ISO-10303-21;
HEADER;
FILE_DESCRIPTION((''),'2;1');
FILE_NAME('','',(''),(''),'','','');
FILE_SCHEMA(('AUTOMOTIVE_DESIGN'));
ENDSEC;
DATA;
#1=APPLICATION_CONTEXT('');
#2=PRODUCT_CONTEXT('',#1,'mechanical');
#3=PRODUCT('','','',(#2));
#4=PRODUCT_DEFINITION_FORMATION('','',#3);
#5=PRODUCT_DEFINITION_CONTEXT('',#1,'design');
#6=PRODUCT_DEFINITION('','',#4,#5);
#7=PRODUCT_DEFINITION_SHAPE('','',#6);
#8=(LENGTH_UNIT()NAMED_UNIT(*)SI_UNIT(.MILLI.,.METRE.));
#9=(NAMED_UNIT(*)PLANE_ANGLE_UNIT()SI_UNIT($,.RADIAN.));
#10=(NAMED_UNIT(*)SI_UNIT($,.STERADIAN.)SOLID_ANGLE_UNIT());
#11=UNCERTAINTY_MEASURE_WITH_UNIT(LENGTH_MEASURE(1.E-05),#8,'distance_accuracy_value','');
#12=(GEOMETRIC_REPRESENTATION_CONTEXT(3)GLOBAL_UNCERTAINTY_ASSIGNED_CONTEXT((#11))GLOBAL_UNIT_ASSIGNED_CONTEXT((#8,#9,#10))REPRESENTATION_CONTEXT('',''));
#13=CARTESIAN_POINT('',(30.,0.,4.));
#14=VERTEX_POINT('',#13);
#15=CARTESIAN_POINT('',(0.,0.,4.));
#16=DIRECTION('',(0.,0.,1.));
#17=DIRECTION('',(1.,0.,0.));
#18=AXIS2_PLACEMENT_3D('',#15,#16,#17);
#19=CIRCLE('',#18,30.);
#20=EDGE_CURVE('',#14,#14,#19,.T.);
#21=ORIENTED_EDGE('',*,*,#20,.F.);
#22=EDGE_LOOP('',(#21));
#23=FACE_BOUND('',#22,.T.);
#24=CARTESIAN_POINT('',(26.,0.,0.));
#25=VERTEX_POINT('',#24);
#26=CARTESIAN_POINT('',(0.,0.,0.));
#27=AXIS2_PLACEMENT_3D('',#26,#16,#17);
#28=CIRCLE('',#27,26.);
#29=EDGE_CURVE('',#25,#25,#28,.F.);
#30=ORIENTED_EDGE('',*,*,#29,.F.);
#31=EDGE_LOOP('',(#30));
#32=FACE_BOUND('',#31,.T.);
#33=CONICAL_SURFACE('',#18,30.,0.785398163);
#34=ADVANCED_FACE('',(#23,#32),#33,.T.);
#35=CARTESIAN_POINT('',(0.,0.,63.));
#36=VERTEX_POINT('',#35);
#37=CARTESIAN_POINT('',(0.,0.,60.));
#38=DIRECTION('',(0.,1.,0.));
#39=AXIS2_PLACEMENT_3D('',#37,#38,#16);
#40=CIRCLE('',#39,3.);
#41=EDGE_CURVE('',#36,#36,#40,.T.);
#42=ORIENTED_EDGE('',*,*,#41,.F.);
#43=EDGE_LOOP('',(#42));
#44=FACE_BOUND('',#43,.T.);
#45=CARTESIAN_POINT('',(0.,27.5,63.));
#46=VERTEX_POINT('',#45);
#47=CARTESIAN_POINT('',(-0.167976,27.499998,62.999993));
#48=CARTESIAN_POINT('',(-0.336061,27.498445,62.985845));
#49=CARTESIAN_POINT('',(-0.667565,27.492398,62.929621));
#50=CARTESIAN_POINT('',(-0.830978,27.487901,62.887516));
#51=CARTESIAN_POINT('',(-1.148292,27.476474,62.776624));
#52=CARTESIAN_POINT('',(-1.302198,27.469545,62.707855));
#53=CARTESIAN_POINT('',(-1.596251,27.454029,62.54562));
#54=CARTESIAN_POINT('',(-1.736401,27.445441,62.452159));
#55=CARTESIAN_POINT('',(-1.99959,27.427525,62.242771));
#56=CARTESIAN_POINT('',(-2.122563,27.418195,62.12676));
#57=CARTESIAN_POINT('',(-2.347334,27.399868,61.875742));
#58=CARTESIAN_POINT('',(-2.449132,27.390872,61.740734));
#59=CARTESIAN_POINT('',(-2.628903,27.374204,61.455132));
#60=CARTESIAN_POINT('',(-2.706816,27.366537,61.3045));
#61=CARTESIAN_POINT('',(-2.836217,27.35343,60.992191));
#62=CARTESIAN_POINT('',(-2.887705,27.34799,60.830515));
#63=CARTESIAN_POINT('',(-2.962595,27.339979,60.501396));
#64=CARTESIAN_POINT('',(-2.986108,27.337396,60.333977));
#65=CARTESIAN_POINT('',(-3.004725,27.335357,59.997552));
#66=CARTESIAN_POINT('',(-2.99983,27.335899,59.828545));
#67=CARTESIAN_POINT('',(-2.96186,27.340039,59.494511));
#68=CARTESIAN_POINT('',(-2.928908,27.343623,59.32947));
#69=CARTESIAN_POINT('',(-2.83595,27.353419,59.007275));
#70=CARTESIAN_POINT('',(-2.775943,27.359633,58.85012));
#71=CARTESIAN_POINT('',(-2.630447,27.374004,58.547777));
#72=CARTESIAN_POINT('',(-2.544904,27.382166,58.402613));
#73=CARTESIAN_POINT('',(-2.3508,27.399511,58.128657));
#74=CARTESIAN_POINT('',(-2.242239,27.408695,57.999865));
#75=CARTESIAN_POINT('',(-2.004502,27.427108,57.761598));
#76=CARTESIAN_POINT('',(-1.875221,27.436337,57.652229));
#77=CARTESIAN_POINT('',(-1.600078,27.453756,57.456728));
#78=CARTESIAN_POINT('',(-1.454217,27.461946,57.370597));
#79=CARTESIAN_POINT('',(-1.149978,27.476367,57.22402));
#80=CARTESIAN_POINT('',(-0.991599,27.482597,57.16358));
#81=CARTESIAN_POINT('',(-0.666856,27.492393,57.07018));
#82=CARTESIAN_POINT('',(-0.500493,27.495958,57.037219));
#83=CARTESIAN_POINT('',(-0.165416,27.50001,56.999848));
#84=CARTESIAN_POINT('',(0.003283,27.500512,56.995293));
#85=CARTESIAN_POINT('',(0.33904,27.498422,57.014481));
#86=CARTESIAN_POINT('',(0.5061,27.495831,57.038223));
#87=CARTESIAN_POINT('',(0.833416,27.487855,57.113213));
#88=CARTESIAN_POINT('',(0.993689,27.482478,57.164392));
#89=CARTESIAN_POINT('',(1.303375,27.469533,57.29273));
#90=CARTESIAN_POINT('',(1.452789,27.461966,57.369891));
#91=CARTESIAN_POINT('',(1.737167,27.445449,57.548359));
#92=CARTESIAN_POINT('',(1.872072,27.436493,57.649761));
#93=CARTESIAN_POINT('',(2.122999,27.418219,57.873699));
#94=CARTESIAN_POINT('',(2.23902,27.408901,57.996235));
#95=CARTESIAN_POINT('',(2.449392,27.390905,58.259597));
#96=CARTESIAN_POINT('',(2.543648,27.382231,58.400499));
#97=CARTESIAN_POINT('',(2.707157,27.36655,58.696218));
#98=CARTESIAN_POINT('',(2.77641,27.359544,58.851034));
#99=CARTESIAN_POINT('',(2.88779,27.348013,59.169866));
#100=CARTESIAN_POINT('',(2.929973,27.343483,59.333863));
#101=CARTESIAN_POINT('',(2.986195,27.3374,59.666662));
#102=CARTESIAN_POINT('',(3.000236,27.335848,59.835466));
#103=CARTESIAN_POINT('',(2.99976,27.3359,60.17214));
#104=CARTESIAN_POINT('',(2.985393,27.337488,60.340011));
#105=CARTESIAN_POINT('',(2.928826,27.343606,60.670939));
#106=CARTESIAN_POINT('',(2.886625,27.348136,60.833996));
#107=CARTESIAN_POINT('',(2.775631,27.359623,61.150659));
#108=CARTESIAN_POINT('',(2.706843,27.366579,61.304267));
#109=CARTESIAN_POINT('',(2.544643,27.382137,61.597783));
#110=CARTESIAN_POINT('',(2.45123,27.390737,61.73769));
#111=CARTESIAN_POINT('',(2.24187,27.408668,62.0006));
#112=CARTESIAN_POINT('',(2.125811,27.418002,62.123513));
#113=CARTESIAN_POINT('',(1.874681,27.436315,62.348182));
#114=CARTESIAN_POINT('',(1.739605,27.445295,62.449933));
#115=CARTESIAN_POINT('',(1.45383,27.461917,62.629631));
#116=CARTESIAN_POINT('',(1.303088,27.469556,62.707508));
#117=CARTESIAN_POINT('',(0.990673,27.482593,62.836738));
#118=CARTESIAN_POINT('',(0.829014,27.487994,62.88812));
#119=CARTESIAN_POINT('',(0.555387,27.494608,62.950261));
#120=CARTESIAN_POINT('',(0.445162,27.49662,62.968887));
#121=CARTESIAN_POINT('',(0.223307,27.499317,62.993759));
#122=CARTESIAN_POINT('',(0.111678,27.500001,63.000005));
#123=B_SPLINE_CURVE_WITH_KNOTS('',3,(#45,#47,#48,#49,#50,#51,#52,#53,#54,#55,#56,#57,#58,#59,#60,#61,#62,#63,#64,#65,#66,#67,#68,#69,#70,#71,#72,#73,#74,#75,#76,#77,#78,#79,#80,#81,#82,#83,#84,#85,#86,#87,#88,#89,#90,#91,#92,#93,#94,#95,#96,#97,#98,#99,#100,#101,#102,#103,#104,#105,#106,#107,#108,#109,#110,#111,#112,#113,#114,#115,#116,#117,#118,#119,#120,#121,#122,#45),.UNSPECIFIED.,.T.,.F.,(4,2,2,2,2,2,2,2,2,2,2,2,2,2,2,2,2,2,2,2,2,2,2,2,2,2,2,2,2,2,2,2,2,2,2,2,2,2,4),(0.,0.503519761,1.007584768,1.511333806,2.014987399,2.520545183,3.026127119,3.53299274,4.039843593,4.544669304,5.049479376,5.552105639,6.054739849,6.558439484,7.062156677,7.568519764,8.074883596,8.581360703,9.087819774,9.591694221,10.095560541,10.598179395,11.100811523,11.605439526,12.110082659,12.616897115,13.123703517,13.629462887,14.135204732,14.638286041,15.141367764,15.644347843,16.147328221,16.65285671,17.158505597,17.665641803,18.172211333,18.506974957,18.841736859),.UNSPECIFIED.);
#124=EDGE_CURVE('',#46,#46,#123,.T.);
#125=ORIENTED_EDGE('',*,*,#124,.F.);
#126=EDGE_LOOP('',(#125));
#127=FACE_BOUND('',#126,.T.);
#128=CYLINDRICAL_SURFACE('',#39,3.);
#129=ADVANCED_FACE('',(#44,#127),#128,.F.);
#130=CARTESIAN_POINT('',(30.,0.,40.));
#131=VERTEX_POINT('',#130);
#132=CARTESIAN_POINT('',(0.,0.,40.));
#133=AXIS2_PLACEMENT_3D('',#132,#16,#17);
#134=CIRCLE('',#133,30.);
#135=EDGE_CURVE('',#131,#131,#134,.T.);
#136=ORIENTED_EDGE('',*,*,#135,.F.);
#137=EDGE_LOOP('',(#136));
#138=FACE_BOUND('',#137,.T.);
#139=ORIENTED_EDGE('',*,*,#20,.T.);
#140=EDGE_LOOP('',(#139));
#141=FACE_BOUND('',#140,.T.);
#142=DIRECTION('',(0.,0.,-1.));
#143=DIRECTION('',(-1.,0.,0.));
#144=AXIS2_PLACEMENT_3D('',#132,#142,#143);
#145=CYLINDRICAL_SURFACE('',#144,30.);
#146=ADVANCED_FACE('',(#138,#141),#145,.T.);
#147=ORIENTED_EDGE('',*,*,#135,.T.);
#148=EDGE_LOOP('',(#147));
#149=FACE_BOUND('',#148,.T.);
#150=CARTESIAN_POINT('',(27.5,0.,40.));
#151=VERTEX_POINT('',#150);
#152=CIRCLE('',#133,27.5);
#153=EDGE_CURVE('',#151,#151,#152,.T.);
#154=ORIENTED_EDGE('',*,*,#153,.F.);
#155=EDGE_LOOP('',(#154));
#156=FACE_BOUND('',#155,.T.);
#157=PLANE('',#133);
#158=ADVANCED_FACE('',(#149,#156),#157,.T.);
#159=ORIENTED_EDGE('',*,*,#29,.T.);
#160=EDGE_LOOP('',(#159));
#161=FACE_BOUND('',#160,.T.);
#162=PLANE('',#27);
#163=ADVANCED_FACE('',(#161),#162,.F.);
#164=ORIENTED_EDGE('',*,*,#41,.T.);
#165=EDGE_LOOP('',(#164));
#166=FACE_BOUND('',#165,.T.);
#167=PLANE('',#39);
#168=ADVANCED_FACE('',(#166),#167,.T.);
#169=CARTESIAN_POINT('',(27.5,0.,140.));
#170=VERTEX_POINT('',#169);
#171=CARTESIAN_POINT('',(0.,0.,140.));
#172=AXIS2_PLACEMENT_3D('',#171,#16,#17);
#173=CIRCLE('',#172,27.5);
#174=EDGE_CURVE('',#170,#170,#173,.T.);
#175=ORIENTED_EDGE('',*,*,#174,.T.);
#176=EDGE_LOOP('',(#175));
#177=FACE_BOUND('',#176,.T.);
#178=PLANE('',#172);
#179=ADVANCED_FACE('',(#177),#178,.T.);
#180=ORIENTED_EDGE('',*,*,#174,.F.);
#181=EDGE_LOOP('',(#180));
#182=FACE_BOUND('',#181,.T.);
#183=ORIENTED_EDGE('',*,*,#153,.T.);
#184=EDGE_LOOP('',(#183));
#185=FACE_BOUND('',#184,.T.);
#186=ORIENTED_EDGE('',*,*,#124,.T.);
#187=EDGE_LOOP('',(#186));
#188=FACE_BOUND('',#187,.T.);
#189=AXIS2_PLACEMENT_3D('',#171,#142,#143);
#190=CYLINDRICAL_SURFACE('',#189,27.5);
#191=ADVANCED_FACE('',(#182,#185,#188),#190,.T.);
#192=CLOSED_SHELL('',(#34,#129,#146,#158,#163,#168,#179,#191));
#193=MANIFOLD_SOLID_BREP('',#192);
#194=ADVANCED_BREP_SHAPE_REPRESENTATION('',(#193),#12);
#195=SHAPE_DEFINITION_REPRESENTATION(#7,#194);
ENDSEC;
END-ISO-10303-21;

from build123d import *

# Parameters (mm, degrees)
ESQUISSE1_R             = 30
BASE_EXTRUSION_DEPTH    = 40
ESQUISSE2_R             = 27.5
BOSS_EXTRU_1_DEPTH      = 100
ESQUISSE3_R             = 3
ENL_V_MAT_EXTRU_1_DEPTH = 30
CHANFREIN1_SIZE         = 4


with BuildPart() as part:
    # Esquisse1 → Base-Extrusion (new body)
    with BuildSketch(Plane.XY):
        Circle(ESQUISSE1_R)
    extrude(amount=BASE_EXTRUSION_DEPTH)

    # Esquisse2 → Boss.-Extru.1 (add)
    with BuildSketch(Plane.XY.offset(40)):
        Circle(ESQUISSE2_R)
    extrude(amount=BOSS_EXTRU_1_DEPTH)

    # Esquisse3 → Enlèv. mat.-Extru.1 (cut)
    with BuildSketch(Plane(origin=(0, 30, 0), x_dir=(-1, 0, 0), z_dir=(0, 1, 0))):
        with Locations(Location((0, 60, 0), (0, 0, 90))):
            Circle(ESQUISSE3_R)
    extrude(amount=-ENL_V_MAT_EXTRU_1_DEPTH, mode=Mode.SUBTRACT)

    # Chanfrein1
    chanfrein1_edges = [part.edges().sort_by_distance(p)[0] for p in [
        (-30, 0, 0),
    ]]
    chamfer(chanfrein1_edges, length=CHANFREIN1_SIZE)


solid = part.part
